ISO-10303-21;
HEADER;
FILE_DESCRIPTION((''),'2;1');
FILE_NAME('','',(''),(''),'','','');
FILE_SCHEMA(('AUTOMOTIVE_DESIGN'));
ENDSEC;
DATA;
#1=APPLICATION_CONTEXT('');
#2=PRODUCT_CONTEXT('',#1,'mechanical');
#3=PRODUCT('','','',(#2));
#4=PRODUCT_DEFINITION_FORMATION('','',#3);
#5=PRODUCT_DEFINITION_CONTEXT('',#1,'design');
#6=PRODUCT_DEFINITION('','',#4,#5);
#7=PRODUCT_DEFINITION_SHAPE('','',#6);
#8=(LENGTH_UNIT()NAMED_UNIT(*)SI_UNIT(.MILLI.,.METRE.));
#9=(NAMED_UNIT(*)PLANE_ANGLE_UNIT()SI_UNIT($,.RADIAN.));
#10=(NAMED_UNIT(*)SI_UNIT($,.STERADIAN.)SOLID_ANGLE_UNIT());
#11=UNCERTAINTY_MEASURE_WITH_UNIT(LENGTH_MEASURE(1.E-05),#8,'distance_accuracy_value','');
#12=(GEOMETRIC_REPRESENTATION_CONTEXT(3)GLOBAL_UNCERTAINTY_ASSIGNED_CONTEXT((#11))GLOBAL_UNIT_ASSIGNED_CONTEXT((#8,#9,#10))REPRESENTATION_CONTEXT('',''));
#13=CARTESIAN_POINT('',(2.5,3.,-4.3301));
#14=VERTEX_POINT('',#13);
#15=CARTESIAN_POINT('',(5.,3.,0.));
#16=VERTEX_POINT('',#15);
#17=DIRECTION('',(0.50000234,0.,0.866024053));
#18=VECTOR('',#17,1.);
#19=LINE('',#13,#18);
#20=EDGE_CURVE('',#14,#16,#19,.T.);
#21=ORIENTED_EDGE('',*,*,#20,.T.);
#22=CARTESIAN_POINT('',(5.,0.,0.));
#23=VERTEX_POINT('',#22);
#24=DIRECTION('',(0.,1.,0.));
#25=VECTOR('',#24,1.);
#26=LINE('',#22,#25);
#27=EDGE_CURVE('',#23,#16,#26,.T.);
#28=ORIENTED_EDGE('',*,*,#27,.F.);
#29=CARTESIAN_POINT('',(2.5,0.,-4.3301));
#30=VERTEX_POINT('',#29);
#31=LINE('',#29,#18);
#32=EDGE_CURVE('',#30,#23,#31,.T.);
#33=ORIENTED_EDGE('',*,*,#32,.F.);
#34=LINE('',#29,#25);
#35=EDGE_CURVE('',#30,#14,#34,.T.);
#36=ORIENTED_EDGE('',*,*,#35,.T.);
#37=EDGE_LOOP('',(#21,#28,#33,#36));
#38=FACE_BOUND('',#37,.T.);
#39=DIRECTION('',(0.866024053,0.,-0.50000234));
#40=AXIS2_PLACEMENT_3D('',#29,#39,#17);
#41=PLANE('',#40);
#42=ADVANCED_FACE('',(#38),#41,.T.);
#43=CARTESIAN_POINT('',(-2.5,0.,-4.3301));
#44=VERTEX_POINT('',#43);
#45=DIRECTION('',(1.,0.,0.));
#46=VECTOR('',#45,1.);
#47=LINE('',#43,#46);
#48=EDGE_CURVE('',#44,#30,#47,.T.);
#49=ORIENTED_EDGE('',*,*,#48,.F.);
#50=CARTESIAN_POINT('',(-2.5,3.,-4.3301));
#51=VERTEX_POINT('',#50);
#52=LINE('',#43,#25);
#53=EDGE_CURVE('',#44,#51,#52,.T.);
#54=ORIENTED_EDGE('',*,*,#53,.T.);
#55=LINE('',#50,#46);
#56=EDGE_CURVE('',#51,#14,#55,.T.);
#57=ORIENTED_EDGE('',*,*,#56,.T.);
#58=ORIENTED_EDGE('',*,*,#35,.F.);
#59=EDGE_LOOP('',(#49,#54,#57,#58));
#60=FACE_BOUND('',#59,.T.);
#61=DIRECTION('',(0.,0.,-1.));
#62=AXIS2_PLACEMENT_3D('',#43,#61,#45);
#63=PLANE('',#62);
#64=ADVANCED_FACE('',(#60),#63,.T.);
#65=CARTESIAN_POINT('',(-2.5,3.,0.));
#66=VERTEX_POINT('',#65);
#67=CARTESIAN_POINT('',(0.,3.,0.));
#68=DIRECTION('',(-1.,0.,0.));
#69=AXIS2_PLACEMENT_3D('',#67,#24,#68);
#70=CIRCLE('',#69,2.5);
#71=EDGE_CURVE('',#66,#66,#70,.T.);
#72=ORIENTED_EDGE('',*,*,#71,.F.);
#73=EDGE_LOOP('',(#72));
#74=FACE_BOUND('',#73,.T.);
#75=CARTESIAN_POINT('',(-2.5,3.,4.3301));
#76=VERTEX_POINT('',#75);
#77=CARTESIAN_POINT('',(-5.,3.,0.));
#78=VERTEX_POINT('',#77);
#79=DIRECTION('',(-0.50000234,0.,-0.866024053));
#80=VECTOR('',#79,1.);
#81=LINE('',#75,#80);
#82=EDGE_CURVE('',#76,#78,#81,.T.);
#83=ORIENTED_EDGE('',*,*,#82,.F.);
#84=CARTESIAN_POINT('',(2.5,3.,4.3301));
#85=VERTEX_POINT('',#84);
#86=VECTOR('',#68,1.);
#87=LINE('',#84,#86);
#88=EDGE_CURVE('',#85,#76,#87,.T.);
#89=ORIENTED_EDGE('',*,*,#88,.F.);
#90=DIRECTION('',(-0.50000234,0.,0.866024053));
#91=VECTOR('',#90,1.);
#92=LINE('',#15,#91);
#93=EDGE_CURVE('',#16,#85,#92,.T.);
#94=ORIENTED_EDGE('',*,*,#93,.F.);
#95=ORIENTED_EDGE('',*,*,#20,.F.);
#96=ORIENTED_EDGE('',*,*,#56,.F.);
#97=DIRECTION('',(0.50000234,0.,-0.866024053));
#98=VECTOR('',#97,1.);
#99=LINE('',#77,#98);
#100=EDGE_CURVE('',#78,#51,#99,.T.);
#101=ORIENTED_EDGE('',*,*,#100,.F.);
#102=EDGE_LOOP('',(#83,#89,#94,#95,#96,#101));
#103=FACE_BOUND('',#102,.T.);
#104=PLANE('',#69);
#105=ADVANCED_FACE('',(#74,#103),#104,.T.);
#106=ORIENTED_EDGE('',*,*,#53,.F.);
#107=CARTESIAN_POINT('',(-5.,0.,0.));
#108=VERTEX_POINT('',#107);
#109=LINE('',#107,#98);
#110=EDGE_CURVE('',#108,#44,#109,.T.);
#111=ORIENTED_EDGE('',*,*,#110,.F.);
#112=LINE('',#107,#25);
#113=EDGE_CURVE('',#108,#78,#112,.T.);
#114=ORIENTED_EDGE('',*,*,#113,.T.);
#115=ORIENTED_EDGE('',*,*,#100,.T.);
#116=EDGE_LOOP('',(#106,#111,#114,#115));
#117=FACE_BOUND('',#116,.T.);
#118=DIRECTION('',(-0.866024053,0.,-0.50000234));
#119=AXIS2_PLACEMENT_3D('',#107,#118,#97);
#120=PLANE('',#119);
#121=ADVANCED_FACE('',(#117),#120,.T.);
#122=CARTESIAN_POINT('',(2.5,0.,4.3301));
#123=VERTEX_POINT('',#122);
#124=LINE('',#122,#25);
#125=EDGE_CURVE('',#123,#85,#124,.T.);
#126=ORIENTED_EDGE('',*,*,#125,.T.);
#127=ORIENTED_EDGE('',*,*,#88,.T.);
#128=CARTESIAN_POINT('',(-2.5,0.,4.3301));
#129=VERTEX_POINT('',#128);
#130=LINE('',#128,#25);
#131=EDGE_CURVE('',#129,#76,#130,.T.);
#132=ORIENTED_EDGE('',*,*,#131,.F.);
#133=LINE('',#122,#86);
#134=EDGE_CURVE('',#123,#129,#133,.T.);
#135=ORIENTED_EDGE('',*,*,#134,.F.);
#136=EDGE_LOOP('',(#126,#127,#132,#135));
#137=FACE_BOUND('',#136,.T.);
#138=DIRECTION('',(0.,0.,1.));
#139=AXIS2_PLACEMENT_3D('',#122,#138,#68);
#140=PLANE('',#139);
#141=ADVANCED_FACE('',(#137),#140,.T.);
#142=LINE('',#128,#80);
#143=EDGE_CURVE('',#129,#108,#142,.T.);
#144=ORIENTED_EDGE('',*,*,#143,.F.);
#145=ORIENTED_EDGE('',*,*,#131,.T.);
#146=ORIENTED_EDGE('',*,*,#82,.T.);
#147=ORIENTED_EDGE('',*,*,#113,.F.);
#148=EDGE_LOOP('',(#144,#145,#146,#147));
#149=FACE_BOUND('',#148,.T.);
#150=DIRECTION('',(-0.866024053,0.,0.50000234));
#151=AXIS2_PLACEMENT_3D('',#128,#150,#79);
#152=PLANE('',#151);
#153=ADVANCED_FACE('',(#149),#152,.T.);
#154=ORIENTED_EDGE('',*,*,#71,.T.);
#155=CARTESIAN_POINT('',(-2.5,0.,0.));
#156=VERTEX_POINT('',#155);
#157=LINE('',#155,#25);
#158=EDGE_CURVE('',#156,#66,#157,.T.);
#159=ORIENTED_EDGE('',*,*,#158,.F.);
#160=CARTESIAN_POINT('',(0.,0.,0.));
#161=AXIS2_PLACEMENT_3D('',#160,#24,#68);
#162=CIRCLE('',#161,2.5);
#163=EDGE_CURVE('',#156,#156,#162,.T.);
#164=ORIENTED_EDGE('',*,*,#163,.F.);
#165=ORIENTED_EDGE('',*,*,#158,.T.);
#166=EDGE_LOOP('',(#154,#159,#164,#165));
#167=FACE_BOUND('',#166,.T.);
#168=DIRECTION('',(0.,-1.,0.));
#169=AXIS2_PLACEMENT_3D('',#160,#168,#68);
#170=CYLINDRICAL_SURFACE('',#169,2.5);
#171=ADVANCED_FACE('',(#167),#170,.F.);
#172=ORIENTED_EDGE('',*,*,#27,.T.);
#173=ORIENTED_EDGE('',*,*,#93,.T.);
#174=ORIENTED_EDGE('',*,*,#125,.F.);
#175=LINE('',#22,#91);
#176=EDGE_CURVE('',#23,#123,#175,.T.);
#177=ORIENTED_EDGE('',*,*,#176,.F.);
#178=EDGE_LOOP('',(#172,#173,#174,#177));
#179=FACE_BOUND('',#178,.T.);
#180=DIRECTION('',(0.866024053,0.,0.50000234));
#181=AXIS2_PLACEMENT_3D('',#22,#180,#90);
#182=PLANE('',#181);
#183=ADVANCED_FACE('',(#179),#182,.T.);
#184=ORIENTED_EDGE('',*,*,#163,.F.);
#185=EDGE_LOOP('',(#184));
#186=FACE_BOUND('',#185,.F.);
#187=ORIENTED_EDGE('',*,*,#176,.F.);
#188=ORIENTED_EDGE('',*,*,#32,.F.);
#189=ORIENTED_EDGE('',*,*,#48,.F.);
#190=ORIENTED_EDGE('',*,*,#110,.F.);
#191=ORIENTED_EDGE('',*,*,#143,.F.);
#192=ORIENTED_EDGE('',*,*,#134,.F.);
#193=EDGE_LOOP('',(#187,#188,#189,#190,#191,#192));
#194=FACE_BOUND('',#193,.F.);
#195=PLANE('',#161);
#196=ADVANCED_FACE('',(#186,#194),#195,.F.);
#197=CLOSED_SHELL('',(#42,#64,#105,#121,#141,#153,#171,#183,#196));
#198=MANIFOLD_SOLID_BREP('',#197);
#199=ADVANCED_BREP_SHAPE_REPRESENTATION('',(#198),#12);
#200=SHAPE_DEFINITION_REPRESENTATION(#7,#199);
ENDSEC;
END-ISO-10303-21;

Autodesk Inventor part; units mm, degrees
ref_plane "YZ Plane" through (0, 0, 0) normal (1, 0, 0) x (0, 1, 0)
ref_plane "XZ Plane" through (0, 0, 0) normal (0, 1, 0) x (-1, 0, 0)
ref_plane "XY Plane" through (0, 0, 0) normal (0, 0, 1) x (1, 0, 0)
sketch "Sketch1" plane through (0, 0, 0) normal (0, 1, 0) x (-1, 0, 0)
  circle A0 centre (0, 0) radius 2.5
  line L0 (5, 0) -> (2.5, -4.3301)
  line L1 (2.5, -4.3301) -> (-2.5, -4.3301)
  line L2 (-2.5, -4.3301) -> (-5, 0)
  line L3 (-5, 0) -> (-2.5, 4.3301)
  line L4 (-2.5, 4.3301) -> (2.5, 4.3301)
  line L5 (2.5, 4.3301) -> (5, 0)
  dimension "d0" = 5
  dimension "d1" = 5
extrude "Extrusion1" add sketch "Sketch1" along normal blind 3
properties part number "TuercaBaseTapa"
